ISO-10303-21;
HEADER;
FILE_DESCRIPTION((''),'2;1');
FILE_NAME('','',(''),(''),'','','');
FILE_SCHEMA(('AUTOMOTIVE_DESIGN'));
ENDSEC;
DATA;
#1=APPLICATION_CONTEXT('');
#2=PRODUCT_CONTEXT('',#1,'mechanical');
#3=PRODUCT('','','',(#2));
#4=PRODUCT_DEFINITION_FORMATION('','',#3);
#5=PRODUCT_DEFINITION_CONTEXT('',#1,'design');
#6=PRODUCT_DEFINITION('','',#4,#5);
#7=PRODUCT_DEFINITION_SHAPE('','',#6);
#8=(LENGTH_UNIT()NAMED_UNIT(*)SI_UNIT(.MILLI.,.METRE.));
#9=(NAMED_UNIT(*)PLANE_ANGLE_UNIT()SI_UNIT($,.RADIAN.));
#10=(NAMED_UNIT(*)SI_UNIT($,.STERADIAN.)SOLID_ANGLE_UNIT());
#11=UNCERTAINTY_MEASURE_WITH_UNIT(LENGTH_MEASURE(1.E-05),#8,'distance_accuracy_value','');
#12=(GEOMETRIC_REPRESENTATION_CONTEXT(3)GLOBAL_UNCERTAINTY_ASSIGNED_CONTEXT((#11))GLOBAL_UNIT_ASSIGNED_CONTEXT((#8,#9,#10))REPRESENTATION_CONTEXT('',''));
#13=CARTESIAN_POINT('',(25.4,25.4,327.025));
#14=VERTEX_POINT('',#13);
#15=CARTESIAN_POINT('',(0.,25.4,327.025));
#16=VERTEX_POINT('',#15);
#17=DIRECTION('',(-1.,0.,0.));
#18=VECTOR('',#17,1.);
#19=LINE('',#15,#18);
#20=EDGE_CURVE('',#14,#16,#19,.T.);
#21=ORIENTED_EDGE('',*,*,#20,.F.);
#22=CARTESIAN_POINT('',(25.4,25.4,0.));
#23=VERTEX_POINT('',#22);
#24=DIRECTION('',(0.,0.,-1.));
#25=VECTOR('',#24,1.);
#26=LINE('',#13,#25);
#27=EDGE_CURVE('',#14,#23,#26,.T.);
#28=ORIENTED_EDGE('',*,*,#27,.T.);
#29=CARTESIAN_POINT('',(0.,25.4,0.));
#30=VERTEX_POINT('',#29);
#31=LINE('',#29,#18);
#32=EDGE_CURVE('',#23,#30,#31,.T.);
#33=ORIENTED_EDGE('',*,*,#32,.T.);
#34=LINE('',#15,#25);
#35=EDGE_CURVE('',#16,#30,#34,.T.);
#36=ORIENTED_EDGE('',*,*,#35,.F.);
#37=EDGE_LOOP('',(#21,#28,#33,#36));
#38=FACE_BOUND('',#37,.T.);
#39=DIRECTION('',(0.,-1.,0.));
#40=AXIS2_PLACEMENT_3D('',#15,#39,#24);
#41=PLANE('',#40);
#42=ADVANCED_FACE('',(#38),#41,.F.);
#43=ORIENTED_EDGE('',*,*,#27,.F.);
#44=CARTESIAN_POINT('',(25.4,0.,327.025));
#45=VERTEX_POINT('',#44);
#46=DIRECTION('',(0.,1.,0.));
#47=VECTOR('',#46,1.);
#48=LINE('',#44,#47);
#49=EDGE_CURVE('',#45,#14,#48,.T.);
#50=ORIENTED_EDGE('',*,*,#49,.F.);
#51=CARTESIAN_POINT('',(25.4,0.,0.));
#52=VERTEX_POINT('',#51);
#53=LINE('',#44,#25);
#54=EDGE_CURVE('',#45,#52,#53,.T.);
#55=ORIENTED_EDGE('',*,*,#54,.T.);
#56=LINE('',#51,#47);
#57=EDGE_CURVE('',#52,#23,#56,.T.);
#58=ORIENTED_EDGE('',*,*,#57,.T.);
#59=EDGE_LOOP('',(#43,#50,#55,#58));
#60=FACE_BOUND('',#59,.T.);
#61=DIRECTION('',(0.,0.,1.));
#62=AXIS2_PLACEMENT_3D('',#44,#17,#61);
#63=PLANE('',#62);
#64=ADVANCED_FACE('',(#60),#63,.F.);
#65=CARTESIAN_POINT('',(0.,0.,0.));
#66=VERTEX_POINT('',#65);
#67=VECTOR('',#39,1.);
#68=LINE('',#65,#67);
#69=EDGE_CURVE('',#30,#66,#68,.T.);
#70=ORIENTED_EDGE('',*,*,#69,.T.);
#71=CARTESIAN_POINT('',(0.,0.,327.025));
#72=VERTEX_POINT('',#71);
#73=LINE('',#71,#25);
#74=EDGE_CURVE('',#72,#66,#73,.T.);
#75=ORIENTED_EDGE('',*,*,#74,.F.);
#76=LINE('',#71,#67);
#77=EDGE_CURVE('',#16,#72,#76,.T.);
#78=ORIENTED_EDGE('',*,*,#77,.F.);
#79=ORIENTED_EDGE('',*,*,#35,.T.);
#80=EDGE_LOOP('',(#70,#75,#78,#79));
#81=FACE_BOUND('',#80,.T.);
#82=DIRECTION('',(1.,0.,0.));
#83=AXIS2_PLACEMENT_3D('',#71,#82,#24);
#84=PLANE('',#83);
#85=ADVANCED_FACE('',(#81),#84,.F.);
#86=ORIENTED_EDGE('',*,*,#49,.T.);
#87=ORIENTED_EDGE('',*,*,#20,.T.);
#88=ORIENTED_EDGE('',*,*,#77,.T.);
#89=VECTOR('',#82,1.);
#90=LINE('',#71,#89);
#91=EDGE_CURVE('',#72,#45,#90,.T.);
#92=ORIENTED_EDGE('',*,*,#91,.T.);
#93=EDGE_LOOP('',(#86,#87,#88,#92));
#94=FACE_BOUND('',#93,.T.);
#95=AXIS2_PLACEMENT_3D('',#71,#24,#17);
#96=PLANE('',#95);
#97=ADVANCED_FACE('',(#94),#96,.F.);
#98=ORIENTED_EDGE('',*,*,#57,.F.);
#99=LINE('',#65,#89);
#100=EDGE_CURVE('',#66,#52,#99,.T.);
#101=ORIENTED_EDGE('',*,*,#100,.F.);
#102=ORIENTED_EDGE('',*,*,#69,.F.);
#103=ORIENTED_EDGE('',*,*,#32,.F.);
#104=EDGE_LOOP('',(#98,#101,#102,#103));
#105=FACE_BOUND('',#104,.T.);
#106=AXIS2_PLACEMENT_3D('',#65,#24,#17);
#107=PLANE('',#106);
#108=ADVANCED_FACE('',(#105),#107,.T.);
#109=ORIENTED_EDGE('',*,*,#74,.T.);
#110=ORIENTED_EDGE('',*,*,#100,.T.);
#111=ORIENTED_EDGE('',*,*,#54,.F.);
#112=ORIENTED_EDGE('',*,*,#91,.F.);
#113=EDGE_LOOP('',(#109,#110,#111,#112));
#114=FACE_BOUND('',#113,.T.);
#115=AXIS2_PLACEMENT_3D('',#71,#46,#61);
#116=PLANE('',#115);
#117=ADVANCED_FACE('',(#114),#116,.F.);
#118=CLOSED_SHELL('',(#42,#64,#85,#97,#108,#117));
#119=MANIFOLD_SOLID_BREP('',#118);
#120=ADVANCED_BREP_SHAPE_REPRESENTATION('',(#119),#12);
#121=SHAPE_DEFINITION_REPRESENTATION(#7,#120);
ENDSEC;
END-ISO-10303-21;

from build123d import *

# Parameters (mm, degrees)
SKETCH1_W           = 25.4
SKETCH1_H           = 25.4
BOSS_EXTRUDE1_DEPTH = 327.025


with BuildPart() as part:
    # Sketch1 → Boss-Extrude1 (new body)
    with BuildSketch(Plane.XY):
        with Locations((12.7, 12.7)):
            Rectangle(SKETCH1_W, SKETCH1_H)
    extrude(amount=BOSS_EXTRUDE1_DEPTH)


solid = part.part
